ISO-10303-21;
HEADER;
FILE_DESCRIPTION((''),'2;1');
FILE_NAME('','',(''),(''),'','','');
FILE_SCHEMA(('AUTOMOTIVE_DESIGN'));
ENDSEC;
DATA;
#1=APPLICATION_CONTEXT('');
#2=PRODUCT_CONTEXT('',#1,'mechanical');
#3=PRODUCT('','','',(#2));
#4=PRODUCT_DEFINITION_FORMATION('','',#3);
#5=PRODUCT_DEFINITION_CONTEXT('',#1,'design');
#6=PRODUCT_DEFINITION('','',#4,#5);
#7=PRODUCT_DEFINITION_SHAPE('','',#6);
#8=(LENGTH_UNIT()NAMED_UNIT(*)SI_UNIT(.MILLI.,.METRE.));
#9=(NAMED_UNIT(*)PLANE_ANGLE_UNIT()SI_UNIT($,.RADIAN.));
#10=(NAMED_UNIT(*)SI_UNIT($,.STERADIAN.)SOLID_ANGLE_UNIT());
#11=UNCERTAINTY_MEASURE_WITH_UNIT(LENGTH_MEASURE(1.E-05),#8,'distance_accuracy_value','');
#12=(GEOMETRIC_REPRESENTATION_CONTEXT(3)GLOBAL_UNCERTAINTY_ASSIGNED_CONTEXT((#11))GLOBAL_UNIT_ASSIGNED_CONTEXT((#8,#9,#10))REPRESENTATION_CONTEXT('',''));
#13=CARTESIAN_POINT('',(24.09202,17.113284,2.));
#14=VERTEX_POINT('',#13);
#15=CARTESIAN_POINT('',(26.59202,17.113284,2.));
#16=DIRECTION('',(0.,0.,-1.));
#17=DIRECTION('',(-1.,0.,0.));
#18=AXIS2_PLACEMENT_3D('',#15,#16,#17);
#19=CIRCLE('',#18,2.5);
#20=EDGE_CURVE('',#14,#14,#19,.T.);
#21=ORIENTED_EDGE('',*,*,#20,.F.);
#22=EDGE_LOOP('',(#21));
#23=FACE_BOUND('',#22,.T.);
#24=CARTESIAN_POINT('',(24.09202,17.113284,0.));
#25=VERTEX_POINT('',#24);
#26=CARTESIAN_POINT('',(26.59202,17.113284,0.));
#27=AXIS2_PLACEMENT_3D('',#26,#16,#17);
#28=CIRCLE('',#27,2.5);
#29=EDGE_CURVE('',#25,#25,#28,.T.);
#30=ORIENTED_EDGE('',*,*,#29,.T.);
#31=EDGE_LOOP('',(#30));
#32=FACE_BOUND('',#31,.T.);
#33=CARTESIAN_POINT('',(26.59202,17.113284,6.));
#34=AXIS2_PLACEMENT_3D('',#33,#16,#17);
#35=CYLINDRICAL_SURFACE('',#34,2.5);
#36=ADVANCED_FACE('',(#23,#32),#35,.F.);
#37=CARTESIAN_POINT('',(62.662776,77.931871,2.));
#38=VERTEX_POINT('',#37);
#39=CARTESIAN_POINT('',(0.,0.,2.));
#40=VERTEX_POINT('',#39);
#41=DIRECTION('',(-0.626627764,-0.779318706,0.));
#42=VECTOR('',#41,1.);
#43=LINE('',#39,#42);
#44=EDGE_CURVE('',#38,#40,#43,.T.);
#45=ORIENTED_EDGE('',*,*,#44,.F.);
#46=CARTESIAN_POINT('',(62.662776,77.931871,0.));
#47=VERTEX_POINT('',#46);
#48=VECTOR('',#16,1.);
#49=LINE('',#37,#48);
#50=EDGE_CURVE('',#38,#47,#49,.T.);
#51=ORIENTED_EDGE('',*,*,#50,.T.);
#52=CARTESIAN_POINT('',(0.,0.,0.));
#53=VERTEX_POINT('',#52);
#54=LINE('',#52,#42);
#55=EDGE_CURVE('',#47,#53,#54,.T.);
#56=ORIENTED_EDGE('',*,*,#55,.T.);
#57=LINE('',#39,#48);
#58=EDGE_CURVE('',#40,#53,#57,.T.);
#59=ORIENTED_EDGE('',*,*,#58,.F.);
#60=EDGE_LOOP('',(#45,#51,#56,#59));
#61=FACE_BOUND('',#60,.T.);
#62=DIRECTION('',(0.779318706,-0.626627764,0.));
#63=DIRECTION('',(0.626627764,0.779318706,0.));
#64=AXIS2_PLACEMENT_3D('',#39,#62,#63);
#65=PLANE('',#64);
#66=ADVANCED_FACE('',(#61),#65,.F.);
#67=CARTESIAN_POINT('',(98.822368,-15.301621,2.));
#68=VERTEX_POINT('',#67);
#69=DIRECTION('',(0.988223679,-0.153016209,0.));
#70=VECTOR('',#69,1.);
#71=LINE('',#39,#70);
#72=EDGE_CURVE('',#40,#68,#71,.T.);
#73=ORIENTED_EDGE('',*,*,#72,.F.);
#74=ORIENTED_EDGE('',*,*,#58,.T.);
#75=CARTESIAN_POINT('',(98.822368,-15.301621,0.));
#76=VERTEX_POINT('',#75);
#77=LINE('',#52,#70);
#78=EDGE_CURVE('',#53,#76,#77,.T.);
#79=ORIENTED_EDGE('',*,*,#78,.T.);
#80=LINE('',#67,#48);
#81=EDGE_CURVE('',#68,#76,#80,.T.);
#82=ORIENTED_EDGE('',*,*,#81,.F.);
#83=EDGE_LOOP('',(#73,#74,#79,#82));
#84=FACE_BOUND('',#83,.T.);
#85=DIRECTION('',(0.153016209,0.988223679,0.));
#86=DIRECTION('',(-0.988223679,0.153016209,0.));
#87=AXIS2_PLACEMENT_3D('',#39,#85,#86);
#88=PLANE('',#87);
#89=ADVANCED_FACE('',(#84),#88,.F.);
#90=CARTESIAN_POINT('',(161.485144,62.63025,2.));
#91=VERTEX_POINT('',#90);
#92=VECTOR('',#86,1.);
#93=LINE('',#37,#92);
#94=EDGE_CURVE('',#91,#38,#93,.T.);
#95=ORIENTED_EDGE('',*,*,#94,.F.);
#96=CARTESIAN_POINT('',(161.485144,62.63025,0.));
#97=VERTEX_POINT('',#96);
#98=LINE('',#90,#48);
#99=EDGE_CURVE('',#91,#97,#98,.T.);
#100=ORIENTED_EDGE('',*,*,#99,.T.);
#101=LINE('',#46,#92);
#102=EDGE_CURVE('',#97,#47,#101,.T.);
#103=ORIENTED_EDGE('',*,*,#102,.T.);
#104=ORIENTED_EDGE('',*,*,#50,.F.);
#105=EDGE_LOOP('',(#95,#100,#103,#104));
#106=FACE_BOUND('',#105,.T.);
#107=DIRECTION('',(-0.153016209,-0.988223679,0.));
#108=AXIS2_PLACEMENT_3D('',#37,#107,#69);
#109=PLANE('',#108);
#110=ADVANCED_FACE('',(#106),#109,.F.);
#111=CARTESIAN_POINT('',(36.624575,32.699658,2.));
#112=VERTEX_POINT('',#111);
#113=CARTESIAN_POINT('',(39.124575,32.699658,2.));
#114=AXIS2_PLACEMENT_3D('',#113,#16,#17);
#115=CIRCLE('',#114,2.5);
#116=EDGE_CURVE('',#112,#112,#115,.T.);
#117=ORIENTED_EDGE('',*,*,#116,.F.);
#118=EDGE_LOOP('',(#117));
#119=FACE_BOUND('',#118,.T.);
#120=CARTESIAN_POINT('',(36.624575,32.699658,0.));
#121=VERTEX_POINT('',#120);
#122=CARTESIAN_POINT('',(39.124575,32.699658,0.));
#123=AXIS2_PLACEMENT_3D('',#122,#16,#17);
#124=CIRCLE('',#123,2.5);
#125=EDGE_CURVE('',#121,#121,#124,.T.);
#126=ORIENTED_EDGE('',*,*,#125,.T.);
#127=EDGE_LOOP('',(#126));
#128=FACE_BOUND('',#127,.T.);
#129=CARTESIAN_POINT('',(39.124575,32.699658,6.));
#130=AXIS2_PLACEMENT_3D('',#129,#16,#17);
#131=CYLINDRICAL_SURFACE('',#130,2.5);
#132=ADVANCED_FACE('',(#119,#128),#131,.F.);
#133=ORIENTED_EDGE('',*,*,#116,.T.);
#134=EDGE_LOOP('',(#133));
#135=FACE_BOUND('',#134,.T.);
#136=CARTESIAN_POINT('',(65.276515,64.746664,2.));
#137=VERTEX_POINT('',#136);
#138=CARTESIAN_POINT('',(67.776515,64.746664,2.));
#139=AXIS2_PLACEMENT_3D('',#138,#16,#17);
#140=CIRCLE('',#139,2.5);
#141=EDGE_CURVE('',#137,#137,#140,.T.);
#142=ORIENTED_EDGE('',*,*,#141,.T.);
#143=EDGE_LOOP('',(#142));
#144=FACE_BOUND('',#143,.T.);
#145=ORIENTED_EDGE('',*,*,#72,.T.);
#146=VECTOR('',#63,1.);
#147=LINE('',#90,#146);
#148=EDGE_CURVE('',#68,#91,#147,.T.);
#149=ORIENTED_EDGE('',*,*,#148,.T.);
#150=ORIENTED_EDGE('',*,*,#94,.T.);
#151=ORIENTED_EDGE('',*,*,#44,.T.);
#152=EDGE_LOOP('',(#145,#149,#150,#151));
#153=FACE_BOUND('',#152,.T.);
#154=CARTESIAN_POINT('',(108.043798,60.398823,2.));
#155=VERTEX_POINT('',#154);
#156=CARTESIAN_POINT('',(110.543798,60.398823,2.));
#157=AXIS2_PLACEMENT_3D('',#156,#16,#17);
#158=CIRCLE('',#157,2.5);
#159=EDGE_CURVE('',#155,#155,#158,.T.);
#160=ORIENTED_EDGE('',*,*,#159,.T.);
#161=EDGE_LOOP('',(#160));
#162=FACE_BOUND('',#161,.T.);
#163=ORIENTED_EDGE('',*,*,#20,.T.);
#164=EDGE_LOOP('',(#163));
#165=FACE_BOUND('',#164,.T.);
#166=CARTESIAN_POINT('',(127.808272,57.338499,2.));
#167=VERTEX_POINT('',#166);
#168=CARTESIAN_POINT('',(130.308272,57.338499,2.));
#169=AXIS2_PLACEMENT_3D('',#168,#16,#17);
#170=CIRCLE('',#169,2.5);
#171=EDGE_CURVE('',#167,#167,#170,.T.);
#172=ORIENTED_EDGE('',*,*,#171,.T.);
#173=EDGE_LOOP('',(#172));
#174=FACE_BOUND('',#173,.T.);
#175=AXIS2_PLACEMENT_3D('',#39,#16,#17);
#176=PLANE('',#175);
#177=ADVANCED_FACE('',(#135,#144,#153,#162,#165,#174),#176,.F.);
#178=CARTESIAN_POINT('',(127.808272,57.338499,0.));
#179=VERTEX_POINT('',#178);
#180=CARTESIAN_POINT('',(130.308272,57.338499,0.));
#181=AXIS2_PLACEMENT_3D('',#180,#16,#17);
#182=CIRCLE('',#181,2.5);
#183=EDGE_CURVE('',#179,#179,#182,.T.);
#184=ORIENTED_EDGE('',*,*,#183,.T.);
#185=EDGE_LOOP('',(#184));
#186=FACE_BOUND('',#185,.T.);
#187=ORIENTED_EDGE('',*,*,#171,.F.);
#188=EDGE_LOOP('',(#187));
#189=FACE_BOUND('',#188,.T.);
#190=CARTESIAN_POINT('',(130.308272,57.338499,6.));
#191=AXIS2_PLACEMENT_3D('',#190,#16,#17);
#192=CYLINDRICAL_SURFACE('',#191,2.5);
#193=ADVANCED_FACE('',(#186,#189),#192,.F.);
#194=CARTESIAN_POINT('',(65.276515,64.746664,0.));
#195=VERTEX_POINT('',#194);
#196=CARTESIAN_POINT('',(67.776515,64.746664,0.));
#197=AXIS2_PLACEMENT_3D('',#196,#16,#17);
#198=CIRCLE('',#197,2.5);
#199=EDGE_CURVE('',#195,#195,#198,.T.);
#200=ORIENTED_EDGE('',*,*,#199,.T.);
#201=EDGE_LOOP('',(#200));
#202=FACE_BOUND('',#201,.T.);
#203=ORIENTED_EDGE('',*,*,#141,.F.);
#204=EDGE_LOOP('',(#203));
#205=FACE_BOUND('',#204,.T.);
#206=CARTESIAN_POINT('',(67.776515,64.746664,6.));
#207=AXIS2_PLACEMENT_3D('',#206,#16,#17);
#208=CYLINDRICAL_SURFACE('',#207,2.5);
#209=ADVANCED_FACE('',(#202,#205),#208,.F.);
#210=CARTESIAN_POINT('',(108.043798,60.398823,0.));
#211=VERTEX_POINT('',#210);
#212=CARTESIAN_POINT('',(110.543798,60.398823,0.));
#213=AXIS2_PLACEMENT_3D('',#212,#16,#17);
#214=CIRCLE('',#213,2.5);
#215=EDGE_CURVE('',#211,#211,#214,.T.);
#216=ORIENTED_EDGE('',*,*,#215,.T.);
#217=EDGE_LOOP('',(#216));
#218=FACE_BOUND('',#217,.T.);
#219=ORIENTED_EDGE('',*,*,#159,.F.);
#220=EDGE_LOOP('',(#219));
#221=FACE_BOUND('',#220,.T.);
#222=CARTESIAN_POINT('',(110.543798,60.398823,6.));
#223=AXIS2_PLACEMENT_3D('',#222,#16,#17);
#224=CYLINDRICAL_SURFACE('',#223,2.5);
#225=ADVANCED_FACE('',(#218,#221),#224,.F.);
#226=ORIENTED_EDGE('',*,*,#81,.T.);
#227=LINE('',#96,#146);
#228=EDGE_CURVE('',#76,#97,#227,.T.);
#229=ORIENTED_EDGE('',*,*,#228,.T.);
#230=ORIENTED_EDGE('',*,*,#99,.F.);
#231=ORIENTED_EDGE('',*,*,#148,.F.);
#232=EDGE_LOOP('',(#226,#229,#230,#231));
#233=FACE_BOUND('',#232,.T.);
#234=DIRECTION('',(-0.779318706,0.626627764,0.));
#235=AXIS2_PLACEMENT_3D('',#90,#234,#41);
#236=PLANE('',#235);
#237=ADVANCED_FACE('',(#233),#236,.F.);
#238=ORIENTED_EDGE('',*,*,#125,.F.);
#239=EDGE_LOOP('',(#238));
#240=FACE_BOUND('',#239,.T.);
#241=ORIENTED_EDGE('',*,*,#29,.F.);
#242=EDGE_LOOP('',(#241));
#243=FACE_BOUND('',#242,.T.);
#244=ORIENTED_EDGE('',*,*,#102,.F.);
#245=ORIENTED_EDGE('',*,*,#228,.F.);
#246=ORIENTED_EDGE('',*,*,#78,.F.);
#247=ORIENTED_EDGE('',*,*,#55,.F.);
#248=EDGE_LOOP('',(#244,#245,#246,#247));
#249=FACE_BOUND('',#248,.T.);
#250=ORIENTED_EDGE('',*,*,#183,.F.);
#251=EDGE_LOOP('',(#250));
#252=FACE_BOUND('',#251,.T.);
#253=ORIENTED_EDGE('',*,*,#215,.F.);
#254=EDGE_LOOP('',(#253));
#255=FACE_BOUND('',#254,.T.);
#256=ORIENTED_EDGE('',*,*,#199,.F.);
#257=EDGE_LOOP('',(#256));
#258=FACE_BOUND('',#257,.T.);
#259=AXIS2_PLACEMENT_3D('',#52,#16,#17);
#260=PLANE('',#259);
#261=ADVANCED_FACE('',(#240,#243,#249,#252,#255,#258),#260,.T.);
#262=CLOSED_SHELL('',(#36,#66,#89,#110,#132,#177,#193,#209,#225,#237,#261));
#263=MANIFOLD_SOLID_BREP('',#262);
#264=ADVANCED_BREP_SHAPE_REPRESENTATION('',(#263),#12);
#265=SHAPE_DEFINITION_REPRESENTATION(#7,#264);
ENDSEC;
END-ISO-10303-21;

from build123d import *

# Parameters (mm, degrees)
BOSS_EXTRUDE1_DEPTH = 2
SKETCH2_R           = 2.5
CUT_EXTRUDE1_DEPTH  = 6
SKETCH3_R           = 2.5
CUT_EXTRUDE2_DEPTH  = 6
SKETCH4_R           = 2.5
CUT_EXTRUDE3_DEPTH  = 6
SKETCH5_R           = 2.5
CUT_EXTRUDE4_DEPTH  = 6
SKETCH6_R           = 2.5
CUT_EXTRUDE5_DEPTH  = 6


with BuildPart() as part:
    # Sketch1 → Boss-Extrude1 (new body)
    with BuildSketch(Plane.XY):
        Polygon((0, 0), (62.662776372, 77.931870614), (161.485144274, 62.630249712), (98.822367902, -15.301620902), align=None)
    extrude(amount=BOSS_EXTRUDE1_DEPTH)

    # Sketch2 → Cut-Extrude1 (cut)
    with BuildSketch(Plane(origin=(0, 0, 0), x_dir=(-1, 0, 0), z_dir=(0, 0, -1))):
        with Locations((-39.124575247, 32.69965767)):
            Circle(SKETCH2_R)
    extrude(amount=-CUT_EXTRUDE1_DEPTH, mode=Mode.SUBTRACT)

    # Sketch3 → Cut-Extrude2 (cut)
    with BuildSketch(Plane(origin=(0, 0, 0), x_dir=(-1, 0, 0), z_dir=(0, 0, -1))):
        with Locations((-26.592019973, 17.113283547)):
            Circle(SKETCH3_R)
    extrude(amount=-CUT_EXTRUDE2_DEPTH, mode=Mode.SUBTRACT)

    # Sketch4 → Cut-Extrude3 (cut)
    with BuildSketch(Plane(origin=(0, 0, 0), x_dir=(-1, 0, 0), z_dir=(0, 0, -1))):
        with Locations((-130.308271813, 57.338499192)):
            Circle(SKETCH4_R)
    extrude(amount=-CUT_EXTRUDE3_DEPTH, mode=Mode.SUBTRACT)

    # Sketch5 → Cut-Extrude4 (cut)
    with BuildSketch(Plane(origin=(0, 0, 0), x_dir=(-1, 0, 0), z_dir=(0, 0, -1))):
        with Locations((-110.543798232, 60.398823373)):
            Circle(SKETCH5_R)
    extrude(amount=-CUT_EXTRUDE4_DEPTH, mode=Mode.SUBTRACT)

    # Sketch6 → Cut-Extrude5 (cut)
    with BuildSketch(Plane(origin=(0, 0, 0), x_dir=(-1, 0, 0), z_dir=(0, 0, -1))):
        with Locations((-67.776514838, 64.746663819)):
            Circle(SKETCH6_R)
    extrude(amount=-CUT_EXTRUDE5_DEPTH, mode=Mode.SUBTRACT)


solid = part.part
